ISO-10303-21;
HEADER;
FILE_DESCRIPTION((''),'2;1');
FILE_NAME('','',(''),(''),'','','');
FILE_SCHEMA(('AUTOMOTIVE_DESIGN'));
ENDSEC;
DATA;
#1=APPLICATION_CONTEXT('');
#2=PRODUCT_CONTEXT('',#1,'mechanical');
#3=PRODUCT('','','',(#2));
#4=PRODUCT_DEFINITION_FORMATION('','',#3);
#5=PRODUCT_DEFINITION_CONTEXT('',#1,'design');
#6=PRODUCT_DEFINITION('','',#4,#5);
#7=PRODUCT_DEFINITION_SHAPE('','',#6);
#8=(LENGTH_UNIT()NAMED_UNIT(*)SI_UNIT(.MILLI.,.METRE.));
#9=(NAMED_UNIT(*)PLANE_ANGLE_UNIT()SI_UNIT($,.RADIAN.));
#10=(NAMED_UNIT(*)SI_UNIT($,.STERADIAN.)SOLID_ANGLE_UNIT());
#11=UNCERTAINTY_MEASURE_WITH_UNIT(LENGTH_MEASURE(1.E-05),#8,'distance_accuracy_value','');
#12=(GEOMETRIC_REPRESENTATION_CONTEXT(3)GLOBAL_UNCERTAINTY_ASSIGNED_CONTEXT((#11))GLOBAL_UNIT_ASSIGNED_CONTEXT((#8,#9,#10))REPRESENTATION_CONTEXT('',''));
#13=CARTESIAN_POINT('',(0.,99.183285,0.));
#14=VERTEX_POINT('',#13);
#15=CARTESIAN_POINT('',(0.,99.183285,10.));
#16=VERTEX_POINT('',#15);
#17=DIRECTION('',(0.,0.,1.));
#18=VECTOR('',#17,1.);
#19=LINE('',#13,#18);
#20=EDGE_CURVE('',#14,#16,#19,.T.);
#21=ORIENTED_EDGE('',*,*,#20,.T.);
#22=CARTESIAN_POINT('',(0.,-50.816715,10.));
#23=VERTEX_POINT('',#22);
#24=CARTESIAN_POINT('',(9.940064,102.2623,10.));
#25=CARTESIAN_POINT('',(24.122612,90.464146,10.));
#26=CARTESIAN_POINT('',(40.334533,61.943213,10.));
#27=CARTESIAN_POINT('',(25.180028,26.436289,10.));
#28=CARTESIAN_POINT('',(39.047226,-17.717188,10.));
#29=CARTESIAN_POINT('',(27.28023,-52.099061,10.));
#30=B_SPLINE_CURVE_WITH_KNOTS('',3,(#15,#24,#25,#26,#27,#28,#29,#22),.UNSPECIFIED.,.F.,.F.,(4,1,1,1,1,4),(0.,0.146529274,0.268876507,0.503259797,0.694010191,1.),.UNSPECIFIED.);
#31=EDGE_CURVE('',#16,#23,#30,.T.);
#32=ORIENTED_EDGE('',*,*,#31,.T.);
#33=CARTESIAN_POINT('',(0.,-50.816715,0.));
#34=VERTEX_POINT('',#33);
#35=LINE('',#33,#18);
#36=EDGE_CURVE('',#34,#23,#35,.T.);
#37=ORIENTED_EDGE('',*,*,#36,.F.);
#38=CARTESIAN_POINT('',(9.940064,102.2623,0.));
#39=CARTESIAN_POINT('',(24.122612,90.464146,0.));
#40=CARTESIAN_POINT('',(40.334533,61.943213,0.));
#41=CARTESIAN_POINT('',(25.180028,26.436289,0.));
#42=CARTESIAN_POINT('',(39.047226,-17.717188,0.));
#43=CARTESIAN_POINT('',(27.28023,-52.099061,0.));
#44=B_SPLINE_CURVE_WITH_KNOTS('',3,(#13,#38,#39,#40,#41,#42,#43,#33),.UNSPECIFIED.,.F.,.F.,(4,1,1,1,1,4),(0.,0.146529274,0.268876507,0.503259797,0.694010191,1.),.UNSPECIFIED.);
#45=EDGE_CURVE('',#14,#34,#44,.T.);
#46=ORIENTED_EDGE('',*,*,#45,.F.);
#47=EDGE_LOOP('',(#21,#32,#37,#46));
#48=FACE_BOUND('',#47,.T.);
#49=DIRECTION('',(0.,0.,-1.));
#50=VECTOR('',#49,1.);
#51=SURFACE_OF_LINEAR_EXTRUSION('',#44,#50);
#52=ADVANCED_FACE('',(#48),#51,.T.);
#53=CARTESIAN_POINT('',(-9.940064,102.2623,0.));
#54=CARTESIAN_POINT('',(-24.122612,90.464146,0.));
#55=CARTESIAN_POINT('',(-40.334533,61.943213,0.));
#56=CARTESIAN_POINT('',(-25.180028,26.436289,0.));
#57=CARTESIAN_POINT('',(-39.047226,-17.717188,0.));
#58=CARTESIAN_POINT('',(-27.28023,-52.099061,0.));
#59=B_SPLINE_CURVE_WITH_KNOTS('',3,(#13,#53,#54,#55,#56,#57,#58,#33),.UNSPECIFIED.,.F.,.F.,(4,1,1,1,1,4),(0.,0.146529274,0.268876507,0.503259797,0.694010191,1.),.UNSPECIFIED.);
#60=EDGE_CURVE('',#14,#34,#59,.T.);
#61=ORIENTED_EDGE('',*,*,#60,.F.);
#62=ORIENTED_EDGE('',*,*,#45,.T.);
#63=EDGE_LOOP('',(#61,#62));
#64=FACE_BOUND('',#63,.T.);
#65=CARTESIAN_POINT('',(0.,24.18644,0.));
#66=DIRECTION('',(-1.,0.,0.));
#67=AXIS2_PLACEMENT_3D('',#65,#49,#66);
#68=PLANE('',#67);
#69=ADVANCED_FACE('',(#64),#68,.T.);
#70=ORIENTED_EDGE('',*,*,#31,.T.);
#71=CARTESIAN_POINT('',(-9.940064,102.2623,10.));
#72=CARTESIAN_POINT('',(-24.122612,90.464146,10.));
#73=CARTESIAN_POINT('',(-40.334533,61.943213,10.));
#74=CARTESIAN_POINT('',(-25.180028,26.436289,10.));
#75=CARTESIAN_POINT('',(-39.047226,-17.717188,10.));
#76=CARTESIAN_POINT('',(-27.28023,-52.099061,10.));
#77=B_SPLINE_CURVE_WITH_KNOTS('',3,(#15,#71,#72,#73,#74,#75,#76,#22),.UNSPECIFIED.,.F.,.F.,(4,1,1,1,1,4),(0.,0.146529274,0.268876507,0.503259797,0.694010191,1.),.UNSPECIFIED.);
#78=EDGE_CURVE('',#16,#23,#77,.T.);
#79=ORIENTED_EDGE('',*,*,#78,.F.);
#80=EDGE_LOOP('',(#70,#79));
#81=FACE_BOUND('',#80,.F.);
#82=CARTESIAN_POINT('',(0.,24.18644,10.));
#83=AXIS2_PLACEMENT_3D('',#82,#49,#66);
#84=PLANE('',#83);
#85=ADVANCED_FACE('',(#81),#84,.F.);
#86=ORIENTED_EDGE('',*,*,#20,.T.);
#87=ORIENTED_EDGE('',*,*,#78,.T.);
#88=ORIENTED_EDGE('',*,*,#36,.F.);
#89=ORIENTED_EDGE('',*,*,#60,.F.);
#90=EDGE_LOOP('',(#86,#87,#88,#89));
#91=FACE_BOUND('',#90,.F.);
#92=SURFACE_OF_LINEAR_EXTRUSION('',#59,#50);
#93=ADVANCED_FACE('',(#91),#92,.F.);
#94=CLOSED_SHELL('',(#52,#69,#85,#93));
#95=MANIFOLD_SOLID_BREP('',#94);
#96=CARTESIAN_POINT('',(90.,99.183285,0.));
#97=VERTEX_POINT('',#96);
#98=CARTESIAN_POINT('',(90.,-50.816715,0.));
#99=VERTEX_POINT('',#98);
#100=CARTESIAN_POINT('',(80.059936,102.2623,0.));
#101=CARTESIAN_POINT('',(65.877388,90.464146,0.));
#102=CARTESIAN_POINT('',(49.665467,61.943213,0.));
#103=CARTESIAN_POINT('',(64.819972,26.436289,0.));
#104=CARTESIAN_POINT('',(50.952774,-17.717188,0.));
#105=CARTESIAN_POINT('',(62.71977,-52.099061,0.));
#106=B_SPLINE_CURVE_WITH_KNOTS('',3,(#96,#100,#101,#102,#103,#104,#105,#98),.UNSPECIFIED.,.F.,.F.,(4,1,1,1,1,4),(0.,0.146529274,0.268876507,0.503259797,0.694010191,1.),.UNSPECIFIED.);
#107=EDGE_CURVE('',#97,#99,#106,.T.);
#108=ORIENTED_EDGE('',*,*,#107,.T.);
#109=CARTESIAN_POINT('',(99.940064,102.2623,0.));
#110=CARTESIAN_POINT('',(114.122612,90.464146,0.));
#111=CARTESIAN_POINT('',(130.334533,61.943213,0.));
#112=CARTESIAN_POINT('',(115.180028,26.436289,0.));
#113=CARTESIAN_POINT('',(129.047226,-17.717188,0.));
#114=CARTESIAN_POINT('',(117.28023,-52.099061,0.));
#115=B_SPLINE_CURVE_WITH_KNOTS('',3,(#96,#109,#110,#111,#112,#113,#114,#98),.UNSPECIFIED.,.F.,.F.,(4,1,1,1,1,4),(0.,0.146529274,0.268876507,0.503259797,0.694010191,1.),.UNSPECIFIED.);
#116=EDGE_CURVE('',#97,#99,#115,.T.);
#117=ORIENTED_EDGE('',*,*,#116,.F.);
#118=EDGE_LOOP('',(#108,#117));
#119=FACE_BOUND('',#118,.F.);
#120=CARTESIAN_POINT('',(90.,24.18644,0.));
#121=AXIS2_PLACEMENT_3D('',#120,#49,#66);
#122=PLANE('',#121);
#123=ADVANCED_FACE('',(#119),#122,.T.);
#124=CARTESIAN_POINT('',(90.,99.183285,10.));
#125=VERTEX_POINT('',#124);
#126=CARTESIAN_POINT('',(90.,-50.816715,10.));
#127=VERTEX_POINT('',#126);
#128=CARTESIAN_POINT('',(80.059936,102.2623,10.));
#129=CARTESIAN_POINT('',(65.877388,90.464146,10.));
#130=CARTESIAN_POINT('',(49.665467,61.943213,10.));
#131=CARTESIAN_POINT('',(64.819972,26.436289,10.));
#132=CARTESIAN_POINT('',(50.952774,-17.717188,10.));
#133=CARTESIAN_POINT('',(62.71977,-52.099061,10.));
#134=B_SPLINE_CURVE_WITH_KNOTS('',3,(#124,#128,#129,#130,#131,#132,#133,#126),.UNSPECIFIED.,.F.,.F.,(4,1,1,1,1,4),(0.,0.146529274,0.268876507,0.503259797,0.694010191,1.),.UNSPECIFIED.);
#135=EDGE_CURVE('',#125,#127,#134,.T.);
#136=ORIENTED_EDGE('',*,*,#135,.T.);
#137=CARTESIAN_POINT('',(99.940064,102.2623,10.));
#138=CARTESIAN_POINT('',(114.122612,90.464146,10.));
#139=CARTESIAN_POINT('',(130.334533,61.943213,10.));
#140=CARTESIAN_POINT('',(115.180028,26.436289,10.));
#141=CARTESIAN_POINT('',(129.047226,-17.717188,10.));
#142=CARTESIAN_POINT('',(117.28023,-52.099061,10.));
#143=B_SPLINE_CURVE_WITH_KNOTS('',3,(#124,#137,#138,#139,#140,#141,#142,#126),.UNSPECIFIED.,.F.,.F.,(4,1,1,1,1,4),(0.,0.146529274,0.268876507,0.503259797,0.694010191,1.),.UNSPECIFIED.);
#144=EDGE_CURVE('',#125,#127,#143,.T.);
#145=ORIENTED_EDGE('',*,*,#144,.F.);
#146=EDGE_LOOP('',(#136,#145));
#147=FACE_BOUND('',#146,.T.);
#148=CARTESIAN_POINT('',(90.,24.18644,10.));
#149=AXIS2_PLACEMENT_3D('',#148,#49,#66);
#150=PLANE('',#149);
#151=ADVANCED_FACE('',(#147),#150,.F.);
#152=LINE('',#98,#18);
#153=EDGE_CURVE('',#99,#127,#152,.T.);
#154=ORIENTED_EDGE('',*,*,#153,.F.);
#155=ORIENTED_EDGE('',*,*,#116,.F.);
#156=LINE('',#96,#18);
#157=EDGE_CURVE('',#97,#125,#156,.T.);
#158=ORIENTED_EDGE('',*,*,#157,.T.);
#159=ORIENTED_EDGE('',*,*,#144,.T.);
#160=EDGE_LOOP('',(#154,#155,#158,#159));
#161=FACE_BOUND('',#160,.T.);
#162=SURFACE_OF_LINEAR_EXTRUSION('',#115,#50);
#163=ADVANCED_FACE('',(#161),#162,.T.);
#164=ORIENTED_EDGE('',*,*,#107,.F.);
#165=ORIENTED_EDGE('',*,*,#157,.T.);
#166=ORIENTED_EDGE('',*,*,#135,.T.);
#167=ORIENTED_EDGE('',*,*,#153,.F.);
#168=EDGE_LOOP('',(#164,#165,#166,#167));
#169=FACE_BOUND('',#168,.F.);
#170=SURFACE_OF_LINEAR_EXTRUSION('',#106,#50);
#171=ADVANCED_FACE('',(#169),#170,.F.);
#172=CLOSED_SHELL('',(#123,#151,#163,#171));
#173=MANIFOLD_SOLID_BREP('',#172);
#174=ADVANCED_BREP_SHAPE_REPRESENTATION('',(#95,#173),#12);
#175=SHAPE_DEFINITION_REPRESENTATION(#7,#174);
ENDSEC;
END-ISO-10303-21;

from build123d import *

# Parameters (mm, degrees)
BOSS_EXTRUDE1_DEPTH = 10


with BuildPart() as part:
    # Sketch2 → Boss-Extrude1 (new body)
    with BuildSketch(Plane.XY):
        with BuildLine():
            add(Edge.make_bspline(
                [(0, 99.183285394), (9.940064442, 102.262299521), (24.122612265, 90.46414584), (40.33453266, 61.943212567), (25.180027607, 26.436288764), (39.04722634, -17.717188406), (27.280230095, -52.099061458), (0, -50.816714606)],
                knots=[0, 0, 0, 0, 0.146529274, 0.268876507, 0.503259797, 0.694010191, 1, 1, 1, 1], degree=3))
            add(Edge.make_bspline(
                [(0, 99.183285394), (-9.940064442, 102.262299521), (-24.122612265, 90.46414584), (-40.33453266, 61.943212567), (-25.180027607, 26.436288764), (-39.04722634, -17.717188406), (-27.280230095, -52.099061458), (0, -50.816714606)],
                knots=[0, 0, 0, 0, 0.146529274, 0.268876507, 0.503259797, 0.694010191, 1, 1, 1, 1], degree=3))
        make_face()
    extrude(amount=BOSS_EXTRUDE1_DEPTH)


with BuildPart() as body_2:
    # Mirror2: mirrored copy
    add(part.part.mirror(Plane(origin=(45, 0, 0), x_dir=(0, 0, 1), z_dir=(1, 0, 0))))


solid = Compound([part.part, body_2.part])
